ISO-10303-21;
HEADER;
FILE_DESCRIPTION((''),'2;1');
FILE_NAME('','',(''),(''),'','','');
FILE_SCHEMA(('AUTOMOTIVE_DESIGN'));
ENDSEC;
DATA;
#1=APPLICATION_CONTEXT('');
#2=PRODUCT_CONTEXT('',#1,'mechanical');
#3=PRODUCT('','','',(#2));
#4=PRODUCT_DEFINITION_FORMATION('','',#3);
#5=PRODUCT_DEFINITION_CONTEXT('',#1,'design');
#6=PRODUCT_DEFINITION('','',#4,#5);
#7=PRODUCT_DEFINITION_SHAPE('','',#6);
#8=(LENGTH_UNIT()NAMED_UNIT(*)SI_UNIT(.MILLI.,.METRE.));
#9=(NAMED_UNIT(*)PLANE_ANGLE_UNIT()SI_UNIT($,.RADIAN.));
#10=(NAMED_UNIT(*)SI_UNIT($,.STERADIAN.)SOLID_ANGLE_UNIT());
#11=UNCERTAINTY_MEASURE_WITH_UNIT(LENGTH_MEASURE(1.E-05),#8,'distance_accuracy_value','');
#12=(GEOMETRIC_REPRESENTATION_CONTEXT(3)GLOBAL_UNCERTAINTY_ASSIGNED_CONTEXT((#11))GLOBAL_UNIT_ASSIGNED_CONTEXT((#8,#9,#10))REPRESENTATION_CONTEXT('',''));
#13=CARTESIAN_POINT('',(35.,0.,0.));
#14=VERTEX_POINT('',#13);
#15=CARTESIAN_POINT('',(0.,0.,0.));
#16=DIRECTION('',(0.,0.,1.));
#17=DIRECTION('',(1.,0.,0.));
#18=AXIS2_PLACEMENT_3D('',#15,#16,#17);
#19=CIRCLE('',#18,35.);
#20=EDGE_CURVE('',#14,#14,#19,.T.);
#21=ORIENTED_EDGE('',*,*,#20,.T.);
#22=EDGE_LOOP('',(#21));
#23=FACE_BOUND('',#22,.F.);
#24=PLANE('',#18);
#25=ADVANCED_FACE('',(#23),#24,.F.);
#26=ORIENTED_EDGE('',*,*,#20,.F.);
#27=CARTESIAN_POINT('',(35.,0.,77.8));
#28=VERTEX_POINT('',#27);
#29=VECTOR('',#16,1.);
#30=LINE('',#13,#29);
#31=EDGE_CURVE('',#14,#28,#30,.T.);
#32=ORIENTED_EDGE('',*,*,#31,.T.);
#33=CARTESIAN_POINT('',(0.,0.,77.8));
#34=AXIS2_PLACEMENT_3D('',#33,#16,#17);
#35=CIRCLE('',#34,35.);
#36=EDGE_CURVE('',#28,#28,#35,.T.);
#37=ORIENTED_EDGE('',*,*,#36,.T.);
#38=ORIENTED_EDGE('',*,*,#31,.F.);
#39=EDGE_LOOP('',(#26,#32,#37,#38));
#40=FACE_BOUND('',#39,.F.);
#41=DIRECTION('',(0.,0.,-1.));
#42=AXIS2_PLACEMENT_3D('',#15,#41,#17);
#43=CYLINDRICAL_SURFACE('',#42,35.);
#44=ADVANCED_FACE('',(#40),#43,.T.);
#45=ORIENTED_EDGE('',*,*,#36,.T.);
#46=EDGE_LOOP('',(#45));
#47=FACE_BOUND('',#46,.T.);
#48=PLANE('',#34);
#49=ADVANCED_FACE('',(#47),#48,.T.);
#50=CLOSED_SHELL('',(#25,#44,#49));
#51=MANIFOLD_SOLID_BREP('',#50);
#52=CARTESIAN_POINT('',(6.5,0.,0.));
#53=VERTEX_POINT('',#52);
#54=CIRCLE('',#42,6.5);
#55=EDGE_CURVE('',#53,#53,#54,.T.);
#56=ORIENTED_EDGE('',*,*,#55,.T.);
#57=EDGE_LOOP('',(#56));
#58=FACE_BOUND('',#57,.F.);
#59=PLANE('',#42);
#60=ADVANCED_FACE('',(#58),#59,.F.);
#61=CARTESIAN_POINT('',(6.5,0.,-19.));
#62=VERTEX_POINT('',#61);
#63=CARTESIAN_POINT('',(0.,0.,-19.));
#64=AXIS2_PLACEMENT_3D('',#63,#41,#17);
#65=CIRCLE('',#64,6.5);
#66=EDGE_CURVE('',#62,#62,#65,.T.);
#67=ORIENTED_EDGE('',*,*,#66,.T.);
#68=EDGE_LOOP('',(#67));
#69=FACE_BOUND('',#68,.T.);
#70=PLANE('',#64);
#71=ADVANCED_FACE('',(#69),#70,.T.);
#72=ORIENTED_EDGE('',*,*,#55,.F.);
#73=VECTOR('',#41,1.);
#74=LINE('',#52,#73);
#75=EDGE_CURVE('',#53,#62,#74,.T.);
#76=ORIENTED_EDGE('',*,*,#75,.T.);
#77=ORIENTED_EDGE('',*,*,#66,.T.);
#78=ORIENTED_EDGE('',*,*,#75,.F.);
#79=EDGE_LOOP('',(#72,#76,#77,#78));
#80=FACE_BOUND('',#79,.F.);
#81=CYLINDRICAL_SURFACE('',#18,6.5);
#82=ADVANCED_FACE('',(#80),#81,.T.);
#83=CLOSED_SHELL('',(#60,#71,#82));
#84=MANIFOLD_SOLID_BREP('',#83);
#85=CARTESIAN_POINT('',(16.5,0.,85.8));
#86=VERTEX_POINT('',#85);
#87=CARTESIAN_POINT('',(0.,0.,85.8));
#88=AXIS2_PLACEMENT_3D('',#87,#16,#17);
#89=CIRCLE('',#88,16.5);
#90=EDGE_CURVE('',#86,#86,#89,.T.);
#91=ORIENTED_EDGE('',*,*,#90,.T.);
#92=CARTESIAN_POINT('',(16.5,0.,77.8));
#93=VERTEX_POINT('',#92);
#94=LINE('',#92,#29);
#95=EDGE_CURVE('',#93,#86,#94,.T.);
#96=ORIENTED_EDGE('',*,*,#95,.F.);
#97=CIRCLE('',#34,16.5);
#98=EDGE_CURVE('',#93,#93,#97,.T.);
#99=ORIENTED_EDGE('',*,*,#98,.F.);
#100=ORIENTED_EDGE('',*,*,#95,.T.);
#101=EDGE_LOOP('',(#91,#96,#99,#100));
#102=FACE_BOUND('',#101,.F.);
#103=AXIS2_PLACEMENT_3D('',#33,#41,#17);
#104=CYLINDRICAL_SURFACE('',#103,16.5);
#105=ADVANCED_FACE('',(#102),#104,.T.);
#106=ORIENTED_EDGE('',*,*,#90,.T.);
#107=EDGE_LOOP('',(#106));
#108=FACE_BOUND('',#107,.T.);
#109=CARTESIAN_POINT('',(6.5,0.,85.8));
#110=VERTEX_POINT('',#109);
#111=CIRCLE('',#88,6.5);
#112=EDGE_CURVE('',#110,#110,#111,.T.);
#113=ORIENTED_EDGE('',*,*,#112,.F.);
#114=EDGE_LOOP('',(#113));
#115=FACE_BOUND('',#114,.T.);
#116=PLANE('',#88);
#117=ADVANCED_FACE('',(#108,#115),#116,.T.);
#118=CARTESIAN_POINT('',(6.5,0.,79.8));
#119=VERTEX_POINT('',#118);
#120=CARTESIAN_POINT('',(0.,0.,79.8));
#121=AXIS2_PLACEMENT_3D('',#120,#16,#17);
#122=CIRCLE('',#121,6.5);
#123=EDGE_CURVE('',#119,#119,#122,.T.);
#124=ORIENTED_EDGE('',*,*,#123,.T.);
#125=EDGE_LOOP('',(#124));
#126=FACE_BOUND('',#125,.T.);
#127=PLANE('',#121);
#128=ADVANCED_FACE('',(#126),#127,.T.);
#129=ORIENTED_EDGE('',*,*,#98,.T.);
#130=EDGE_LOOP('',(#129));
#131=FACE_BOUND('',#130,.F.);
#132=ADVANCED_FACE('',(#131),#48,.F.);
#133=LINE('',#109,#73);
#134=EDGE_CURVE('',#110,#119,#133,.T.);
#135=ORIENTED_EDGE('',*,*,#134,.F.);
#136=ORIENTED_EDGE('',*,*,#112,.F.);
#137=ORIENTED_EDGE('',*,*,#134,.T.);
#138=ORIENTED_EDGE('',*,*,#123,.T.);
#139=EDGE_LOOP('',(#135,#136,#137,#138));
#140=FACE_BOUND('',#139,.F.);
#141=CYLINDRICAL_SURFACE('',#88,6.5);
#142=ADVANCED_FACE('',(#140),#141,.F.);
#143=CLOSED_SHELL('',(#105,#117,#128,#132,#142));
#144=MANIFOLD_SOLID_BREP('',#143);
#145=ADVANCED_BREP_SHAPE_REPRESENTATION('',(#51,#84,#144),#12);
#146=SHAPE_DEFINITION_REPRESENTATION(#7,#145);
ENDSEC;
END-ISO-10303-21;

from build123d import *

# Parameters (mm, degrees)
F0_R     = 35
F1_DEPTH = 77.8
F2_R     = 16.5
F3_DEPTH = 8
F4_R     = 6.5
F5_DEPTH = 6
F6_R     = 6.5
F7_DEPTH = 19


with BuildPart() as f1:
    # F0 (on Top) → F1 (new body)
    with BuildSketch(Plane.XY):
        Circle(F0_R)
    extrude(amount=F1_DEPTH)


with BuildPart() as f3:
    # F2 (on face) → F3 (new body)
    with BuildSketch(Plane.XY.offset(77.8)):
        Circle(F2_R)
    extrude(amount=F3_DEPTH)

    # F4 (on face) → F5 (cut)
    with BuildSketch(Plane.XY.offset(85.8)):
        Circle(F4_R)
    extrude(amount=-F5_DEPTH, mode=Mode.SUBTRACT)


with BuildPart() as f7:
    # F6 (on face) → F7 (new body)
    with BuildSketch(Plane(origin=(0, 0, 0), x_dir=(1, 0, 0), z_dir=(0, 0, -1))):
        Circle(F6_R)
    extrude(amount=F7_DEPTH)


solid = Compound([f1.part, f3.part, f7.part])
